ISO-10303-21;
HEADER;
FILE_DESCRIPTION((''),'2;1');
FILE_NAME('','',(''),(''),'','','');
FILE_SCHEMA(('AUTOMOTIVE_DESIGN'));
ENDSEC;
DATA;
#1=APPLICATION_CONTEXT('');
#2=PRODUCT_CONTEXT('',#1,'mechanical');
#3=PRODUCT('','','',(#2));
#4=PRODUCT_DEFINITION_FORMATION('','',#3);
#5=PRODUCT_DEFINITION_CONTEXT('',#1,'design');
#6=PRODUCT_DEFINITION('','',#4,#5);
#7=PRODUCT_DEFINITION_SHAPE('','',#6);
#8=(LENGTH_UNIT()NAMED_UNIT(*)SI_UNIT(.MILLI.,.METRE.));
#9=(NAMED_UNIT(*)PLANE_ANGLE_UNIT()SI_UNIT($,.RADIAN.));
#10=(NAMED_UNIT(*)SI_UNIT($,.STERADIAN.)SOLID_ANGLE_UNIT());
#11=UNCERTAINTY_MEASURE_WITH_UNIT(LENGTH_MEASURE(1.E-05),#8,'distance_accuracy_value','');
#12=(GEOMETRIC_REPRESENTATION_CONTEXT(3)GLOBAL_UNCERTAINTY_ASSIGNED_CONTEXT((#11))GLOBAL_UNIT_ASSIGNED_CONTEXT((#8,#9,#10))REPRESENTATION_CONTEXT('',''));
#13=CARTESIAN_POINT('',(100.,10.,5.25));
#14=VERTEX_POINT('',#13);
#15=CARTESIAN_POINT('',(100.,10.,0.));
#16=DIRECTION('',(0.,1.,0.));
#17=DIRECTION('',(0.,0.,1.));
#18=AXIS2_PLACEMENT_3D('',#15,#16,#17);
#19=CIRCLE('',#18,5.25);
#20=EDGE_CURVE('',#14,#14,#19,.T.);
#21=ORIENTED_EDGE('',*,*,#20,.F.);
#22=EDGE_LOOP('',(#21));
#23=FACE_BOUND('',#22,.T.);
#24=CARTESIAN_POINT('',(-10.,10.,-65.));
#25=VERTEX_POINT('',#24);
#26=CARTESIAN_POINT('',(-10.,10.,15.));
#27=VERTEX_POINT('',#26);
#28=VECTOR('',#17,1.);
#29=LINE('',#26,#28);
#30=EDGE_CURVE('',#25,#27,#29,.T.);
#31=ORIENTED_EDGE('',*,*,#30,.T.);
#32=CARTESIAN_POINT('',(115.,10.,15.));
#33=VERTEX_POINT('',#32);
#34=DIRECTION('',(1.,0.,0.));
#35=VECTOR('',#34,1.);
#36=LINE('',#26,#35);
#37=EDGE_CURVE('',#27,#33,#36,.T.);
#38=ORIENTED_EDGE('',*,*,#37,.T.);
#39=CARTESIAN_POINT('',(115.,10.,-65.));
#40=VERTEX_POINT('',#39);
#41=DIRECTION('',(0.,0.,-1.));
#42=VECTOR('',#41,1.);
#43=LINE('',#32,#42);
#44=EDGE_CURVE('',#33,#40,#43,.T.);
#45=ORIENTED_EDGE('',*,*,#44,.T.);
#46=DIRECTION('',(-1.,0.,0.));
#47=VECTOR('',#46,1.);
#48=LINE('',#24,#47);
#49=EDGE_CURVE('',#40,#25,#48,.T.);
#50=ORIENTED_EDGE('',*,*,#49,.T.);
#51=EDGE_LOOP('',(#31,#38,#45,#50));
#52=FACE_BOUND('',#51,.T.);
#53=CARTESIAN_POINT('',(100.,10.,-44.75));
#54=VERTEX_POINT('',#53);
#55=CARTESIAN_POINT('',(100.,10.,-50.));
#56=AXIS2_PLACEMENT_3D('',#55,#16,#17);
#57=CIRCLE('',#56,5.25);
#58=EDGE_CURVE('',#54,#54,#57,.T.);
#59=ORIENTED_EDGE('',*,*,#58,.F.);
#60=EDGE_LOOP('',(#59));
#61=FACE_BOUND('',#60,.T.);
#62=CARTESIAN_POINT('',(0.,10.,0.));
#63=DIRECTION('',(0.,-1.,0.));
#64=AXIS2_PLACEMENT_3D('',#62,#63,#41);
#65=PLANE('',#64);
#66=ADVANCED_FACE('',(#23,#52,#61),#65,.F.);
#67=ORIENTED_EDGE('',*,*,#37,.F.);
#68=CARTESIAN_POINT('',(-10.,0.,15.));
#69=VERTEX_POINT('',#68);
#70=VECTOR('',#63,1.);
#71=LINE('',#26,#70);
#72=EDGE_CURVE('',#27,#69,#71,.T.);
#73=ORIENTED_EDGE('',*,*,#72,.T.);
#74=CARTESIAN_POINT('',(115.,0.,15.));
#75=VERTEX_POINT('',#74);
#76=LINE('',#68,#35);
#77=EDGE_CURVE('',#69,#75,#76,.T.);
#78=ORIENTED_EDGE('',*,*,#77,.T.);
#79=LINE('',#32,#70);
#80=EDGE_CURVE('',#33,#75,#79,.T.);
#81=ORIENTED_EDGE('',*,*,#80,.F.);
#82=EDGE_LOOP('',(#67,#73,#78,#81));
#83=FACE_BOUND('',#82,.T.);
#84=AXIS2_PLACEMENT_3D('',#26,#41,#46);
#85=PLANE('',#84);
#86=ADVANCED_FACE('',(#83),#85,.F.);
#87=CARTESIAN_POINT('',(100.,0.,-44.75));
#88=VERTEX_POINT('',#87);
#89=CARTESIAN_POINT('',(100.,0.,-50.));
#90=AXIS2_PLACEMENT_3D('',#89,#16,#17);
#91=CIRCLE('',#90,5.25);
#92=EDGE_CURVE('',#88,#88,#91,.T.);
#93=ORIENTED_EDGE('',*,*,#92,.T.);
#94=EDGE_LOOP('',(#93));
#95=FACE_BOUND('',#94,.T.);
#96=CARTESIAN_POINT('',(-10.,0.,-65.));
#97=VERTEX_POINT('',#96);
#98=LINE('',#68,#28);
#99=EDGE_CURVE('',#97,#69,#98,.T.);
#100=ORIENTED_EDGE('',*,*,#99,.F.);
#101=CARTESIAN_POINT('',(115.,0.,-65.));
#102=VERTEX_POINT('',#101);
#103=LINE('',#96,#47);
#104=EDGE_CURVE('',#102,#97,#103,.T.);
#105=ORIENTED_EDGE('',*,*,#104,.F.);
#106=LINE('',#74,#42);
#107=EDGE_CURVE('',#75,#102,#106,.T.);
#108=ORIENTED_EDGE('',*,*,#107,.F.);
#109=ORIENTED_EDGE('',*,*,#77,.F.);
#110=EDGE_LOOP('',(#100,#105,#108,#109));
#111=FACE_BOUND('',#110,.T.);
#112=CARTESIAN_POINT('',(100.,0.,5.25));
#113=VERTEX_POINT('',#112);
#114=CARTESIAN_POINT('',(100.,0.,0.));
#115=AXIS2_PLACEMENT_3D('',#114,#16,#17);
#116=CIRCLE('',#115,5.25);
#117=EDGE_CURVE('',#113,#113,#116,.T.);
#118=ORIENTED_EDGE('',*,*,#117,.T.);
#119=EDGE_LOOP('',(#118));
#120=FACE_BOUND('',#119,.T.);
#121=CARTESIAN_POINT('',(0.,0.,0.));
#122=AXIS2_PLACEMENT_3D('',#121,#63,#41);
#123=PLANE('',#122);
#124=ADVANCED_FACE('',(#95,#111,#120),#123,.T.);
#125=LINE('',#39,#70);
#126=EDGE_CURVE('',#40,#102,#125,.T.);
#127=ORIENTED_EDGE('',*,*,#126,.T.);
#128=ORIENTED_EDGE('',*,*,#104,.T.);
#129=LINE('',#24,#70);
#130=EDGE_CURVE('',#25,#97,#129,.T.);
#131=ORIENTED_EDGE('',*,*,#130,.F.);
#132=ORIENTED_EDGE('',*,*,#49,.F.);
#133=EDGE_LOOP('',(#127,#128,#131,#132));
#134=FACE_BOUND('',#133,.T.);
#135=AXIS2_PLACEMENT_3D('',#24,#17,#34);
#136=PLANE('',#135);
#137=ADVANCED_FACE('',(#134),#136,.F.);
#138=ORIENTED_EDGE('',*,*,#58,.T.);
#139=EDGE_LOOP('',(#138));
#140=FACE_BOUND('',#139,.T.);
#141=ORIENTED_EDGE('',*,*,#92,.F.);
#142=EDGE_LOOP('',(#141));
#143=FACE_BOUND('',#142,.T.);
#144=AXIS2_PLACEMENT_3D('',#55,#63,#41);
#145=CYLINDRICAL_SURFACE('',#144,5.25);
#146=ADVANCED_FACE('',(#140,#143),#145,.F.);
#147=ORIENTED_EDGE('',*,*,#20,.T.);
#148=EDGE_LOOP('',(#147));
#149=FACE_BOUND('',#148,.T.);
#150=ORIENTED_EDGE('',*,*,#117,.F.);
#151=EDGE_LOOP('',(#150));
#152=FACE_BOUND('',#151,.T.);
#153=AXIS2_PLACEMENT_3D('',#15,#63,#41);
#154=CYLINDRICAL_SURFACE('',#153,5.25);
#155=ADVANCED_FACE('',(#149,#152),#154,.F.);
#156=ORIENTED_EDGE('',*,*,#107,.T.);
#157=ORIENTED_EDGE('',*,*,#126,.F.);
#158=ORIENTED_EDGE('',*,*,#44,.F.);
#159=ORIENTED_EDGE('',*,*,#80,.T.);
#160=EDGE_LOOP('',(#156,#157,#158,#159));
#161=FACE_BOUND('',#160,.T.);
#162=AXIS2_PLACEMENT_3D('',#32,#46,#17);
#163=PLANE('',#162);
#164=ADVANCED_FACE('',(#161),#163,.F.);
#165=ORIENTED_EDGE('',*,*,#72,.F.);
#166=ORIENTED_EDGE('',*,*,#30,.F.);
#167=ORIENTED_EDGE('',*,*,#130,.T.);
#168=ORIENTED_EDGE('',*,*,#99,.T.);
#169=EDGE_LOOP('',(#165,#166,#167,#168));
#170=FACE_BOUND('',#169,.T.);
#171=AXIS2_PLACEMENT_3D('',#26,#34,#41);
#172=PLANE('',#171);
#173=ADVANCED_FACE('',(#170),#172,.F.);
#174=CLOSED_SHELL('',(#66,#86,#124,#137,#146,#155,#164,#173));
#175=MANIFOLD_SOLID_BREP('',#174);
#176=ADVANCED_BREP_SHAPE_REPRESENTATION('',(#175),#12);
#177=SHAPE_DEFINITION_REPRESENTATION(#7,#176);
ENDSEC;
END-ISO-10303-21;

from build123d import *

# Parameters (mm, degrees)
SKETCH1_W           = 125
SKETCH1_H           = 80
SKETCH1_R           = 5.25
BOSS_EXTRUDE1_DEPTH = 10


with BuildPart() as part:
    # Sketch1 → Boss-Extrude1 (new body)
    with BuildSketch(Plane(origin=(0, 0, 0), x_dir=(1, 0, 0), z_dir=(0, 1, 0))):
        with Locations((52.5, 25)):
            Rectangle(SKETCH1_W, SKETCH1_H)
        with Locations((100, 50)):
            Circle(SKETCH1_R, mode=Mode.SUBTRACT)
        with Locations((100, 0)):
            Circle(SKETCH1_R, mode=Mode.SUBTRACT)
    extrude(amount=BOSS_EXTRUDE1_DEPTH)


solid = part.part
